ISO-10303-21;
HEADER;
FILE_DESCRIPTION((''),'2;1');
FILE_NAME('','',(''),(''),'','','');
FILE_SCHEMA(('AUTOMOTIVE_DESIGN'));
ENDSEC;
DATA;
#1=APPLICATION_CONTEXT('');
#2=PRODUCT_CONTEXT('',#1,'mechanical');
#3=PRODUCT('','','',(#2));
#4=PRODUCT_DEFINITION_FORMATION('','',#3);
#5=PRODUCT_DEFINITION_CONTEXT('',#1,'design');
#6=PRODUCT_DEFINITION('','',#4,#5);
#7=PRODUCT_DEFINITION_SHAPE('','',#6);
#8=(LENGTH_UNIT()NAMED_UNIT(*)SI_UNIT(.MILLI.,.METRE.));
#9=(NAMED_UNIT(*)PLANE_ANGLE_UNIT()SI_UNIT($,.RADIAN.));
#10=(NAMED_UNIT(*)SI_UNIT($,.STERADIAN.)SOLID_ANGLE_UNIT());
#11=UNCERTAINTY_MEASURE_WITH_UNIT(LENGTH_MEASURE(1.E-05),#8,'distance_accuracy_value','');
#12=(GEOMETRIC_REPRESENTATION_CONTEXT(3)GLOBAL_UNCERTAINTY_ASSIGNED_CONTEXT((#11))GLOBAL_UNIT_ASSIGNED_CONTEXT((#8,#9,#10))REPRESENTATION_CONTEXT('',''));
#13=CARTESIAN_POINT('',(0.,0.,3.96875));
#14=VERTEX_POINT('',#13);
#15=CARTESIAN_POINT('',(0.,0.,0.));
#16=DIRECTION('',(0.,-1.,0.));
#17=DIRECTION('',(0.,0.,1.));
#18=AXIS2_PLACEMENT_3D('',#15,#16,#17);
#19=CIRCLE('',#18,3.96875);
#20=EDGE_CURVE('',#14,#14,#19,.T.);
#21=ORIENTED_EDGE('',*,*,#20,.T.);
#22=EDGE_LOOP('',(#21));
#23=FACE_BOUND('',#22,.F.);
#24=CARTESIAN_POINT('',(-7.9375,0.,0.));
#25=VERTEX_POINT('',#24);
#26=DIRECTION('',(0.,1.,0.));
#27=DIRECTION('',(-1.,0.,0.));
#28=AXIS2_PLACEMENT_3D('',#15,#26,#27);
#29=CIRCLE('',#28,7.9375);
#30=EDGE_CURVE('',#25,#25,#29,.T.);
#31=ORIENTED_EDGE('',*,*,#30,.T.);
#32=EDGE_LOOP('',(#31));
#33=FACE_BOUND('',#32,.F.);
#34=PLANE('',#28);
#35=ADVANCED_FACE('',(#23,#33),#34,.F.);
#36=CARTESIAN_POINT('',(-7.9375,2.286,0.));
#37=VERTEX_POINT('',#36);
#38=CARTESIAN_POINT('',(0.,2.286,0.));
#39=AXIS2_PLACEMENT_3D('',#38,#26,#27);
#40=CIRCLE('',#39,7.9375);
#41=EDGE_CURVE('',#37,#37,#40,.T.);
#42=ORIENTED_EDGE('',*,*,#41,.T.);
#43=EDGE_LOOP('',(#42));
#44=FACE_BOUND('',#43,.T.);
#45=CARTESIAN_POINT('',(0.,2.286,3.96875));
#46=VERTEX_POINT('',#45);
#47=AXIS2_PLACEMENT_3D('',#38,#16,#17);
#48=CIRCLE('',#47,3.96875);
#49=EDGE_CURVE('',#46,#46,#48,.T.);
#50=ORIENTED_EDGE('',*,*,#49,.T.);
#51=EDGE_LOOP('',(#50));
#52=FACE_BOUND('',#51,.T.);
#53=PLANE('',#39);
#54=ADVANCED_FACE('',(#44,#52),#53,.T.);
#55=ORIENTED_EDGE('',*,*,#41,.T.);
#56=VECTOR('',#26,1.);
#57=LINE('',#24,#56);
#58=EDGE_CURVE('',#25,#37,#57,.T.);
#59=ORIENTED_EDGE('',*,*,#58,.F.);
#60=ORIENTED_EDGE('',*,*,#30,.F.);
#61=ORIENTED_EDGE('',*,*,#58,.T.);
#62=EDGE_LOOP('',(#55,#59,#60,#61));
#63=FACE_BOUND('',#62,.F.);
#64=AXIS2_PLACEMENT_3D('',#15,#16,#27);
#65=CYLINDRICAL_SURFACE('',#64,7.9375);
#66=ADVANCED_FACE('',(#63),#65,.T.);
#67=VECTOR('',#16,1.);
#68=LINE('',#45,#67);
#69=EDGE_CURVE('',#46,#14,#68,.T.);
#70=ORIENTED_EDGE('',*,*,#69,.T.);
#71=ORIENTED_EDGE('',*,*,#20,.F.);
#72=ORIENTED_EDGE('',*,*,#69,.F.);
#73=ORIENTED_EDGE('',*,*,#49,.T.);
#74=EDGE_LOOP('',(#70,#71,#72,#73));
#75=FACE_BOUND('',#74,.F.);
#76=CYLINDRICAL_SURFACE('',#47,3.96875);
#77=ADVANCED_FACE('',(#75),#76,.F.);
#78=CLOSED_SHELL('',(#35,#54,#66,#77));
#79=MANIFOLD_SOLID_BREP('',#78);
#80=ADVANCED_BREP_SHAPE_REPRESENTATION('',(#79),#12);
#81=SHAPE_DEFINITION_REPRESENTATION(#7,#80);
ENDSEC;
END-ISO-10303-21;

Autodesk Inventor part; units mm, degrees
ref_plane "YZ Plane" through (0, 0, 0) normal (1, 0, 0) x (0, 1, 0)
ref_plane "XZ Plane" through (0, 0, 0) normal (0, 1, 0) x (-1, 0, 0)
ref_plane "XY Plane" through (0, 0, 0) normal (0, 0, 1) x (1, 0, 0)
sketch "Sketch1" plane through (0, 0, 0) normal (0, 1, 0) x (-1, 0, 0)
  circle A0 centre (0, 0) radius 7.9375
  dimension "d0" = 15.875
extrude "Extrusion1" add sketch "Sketch1" along normal blind 2.286
hole "Hole1" at (0, 2.286, 0) direction (0, -1, 0) diameter 7.9375 depth 7.9375 tip angle 118
properties part number "five eighth Washer"
